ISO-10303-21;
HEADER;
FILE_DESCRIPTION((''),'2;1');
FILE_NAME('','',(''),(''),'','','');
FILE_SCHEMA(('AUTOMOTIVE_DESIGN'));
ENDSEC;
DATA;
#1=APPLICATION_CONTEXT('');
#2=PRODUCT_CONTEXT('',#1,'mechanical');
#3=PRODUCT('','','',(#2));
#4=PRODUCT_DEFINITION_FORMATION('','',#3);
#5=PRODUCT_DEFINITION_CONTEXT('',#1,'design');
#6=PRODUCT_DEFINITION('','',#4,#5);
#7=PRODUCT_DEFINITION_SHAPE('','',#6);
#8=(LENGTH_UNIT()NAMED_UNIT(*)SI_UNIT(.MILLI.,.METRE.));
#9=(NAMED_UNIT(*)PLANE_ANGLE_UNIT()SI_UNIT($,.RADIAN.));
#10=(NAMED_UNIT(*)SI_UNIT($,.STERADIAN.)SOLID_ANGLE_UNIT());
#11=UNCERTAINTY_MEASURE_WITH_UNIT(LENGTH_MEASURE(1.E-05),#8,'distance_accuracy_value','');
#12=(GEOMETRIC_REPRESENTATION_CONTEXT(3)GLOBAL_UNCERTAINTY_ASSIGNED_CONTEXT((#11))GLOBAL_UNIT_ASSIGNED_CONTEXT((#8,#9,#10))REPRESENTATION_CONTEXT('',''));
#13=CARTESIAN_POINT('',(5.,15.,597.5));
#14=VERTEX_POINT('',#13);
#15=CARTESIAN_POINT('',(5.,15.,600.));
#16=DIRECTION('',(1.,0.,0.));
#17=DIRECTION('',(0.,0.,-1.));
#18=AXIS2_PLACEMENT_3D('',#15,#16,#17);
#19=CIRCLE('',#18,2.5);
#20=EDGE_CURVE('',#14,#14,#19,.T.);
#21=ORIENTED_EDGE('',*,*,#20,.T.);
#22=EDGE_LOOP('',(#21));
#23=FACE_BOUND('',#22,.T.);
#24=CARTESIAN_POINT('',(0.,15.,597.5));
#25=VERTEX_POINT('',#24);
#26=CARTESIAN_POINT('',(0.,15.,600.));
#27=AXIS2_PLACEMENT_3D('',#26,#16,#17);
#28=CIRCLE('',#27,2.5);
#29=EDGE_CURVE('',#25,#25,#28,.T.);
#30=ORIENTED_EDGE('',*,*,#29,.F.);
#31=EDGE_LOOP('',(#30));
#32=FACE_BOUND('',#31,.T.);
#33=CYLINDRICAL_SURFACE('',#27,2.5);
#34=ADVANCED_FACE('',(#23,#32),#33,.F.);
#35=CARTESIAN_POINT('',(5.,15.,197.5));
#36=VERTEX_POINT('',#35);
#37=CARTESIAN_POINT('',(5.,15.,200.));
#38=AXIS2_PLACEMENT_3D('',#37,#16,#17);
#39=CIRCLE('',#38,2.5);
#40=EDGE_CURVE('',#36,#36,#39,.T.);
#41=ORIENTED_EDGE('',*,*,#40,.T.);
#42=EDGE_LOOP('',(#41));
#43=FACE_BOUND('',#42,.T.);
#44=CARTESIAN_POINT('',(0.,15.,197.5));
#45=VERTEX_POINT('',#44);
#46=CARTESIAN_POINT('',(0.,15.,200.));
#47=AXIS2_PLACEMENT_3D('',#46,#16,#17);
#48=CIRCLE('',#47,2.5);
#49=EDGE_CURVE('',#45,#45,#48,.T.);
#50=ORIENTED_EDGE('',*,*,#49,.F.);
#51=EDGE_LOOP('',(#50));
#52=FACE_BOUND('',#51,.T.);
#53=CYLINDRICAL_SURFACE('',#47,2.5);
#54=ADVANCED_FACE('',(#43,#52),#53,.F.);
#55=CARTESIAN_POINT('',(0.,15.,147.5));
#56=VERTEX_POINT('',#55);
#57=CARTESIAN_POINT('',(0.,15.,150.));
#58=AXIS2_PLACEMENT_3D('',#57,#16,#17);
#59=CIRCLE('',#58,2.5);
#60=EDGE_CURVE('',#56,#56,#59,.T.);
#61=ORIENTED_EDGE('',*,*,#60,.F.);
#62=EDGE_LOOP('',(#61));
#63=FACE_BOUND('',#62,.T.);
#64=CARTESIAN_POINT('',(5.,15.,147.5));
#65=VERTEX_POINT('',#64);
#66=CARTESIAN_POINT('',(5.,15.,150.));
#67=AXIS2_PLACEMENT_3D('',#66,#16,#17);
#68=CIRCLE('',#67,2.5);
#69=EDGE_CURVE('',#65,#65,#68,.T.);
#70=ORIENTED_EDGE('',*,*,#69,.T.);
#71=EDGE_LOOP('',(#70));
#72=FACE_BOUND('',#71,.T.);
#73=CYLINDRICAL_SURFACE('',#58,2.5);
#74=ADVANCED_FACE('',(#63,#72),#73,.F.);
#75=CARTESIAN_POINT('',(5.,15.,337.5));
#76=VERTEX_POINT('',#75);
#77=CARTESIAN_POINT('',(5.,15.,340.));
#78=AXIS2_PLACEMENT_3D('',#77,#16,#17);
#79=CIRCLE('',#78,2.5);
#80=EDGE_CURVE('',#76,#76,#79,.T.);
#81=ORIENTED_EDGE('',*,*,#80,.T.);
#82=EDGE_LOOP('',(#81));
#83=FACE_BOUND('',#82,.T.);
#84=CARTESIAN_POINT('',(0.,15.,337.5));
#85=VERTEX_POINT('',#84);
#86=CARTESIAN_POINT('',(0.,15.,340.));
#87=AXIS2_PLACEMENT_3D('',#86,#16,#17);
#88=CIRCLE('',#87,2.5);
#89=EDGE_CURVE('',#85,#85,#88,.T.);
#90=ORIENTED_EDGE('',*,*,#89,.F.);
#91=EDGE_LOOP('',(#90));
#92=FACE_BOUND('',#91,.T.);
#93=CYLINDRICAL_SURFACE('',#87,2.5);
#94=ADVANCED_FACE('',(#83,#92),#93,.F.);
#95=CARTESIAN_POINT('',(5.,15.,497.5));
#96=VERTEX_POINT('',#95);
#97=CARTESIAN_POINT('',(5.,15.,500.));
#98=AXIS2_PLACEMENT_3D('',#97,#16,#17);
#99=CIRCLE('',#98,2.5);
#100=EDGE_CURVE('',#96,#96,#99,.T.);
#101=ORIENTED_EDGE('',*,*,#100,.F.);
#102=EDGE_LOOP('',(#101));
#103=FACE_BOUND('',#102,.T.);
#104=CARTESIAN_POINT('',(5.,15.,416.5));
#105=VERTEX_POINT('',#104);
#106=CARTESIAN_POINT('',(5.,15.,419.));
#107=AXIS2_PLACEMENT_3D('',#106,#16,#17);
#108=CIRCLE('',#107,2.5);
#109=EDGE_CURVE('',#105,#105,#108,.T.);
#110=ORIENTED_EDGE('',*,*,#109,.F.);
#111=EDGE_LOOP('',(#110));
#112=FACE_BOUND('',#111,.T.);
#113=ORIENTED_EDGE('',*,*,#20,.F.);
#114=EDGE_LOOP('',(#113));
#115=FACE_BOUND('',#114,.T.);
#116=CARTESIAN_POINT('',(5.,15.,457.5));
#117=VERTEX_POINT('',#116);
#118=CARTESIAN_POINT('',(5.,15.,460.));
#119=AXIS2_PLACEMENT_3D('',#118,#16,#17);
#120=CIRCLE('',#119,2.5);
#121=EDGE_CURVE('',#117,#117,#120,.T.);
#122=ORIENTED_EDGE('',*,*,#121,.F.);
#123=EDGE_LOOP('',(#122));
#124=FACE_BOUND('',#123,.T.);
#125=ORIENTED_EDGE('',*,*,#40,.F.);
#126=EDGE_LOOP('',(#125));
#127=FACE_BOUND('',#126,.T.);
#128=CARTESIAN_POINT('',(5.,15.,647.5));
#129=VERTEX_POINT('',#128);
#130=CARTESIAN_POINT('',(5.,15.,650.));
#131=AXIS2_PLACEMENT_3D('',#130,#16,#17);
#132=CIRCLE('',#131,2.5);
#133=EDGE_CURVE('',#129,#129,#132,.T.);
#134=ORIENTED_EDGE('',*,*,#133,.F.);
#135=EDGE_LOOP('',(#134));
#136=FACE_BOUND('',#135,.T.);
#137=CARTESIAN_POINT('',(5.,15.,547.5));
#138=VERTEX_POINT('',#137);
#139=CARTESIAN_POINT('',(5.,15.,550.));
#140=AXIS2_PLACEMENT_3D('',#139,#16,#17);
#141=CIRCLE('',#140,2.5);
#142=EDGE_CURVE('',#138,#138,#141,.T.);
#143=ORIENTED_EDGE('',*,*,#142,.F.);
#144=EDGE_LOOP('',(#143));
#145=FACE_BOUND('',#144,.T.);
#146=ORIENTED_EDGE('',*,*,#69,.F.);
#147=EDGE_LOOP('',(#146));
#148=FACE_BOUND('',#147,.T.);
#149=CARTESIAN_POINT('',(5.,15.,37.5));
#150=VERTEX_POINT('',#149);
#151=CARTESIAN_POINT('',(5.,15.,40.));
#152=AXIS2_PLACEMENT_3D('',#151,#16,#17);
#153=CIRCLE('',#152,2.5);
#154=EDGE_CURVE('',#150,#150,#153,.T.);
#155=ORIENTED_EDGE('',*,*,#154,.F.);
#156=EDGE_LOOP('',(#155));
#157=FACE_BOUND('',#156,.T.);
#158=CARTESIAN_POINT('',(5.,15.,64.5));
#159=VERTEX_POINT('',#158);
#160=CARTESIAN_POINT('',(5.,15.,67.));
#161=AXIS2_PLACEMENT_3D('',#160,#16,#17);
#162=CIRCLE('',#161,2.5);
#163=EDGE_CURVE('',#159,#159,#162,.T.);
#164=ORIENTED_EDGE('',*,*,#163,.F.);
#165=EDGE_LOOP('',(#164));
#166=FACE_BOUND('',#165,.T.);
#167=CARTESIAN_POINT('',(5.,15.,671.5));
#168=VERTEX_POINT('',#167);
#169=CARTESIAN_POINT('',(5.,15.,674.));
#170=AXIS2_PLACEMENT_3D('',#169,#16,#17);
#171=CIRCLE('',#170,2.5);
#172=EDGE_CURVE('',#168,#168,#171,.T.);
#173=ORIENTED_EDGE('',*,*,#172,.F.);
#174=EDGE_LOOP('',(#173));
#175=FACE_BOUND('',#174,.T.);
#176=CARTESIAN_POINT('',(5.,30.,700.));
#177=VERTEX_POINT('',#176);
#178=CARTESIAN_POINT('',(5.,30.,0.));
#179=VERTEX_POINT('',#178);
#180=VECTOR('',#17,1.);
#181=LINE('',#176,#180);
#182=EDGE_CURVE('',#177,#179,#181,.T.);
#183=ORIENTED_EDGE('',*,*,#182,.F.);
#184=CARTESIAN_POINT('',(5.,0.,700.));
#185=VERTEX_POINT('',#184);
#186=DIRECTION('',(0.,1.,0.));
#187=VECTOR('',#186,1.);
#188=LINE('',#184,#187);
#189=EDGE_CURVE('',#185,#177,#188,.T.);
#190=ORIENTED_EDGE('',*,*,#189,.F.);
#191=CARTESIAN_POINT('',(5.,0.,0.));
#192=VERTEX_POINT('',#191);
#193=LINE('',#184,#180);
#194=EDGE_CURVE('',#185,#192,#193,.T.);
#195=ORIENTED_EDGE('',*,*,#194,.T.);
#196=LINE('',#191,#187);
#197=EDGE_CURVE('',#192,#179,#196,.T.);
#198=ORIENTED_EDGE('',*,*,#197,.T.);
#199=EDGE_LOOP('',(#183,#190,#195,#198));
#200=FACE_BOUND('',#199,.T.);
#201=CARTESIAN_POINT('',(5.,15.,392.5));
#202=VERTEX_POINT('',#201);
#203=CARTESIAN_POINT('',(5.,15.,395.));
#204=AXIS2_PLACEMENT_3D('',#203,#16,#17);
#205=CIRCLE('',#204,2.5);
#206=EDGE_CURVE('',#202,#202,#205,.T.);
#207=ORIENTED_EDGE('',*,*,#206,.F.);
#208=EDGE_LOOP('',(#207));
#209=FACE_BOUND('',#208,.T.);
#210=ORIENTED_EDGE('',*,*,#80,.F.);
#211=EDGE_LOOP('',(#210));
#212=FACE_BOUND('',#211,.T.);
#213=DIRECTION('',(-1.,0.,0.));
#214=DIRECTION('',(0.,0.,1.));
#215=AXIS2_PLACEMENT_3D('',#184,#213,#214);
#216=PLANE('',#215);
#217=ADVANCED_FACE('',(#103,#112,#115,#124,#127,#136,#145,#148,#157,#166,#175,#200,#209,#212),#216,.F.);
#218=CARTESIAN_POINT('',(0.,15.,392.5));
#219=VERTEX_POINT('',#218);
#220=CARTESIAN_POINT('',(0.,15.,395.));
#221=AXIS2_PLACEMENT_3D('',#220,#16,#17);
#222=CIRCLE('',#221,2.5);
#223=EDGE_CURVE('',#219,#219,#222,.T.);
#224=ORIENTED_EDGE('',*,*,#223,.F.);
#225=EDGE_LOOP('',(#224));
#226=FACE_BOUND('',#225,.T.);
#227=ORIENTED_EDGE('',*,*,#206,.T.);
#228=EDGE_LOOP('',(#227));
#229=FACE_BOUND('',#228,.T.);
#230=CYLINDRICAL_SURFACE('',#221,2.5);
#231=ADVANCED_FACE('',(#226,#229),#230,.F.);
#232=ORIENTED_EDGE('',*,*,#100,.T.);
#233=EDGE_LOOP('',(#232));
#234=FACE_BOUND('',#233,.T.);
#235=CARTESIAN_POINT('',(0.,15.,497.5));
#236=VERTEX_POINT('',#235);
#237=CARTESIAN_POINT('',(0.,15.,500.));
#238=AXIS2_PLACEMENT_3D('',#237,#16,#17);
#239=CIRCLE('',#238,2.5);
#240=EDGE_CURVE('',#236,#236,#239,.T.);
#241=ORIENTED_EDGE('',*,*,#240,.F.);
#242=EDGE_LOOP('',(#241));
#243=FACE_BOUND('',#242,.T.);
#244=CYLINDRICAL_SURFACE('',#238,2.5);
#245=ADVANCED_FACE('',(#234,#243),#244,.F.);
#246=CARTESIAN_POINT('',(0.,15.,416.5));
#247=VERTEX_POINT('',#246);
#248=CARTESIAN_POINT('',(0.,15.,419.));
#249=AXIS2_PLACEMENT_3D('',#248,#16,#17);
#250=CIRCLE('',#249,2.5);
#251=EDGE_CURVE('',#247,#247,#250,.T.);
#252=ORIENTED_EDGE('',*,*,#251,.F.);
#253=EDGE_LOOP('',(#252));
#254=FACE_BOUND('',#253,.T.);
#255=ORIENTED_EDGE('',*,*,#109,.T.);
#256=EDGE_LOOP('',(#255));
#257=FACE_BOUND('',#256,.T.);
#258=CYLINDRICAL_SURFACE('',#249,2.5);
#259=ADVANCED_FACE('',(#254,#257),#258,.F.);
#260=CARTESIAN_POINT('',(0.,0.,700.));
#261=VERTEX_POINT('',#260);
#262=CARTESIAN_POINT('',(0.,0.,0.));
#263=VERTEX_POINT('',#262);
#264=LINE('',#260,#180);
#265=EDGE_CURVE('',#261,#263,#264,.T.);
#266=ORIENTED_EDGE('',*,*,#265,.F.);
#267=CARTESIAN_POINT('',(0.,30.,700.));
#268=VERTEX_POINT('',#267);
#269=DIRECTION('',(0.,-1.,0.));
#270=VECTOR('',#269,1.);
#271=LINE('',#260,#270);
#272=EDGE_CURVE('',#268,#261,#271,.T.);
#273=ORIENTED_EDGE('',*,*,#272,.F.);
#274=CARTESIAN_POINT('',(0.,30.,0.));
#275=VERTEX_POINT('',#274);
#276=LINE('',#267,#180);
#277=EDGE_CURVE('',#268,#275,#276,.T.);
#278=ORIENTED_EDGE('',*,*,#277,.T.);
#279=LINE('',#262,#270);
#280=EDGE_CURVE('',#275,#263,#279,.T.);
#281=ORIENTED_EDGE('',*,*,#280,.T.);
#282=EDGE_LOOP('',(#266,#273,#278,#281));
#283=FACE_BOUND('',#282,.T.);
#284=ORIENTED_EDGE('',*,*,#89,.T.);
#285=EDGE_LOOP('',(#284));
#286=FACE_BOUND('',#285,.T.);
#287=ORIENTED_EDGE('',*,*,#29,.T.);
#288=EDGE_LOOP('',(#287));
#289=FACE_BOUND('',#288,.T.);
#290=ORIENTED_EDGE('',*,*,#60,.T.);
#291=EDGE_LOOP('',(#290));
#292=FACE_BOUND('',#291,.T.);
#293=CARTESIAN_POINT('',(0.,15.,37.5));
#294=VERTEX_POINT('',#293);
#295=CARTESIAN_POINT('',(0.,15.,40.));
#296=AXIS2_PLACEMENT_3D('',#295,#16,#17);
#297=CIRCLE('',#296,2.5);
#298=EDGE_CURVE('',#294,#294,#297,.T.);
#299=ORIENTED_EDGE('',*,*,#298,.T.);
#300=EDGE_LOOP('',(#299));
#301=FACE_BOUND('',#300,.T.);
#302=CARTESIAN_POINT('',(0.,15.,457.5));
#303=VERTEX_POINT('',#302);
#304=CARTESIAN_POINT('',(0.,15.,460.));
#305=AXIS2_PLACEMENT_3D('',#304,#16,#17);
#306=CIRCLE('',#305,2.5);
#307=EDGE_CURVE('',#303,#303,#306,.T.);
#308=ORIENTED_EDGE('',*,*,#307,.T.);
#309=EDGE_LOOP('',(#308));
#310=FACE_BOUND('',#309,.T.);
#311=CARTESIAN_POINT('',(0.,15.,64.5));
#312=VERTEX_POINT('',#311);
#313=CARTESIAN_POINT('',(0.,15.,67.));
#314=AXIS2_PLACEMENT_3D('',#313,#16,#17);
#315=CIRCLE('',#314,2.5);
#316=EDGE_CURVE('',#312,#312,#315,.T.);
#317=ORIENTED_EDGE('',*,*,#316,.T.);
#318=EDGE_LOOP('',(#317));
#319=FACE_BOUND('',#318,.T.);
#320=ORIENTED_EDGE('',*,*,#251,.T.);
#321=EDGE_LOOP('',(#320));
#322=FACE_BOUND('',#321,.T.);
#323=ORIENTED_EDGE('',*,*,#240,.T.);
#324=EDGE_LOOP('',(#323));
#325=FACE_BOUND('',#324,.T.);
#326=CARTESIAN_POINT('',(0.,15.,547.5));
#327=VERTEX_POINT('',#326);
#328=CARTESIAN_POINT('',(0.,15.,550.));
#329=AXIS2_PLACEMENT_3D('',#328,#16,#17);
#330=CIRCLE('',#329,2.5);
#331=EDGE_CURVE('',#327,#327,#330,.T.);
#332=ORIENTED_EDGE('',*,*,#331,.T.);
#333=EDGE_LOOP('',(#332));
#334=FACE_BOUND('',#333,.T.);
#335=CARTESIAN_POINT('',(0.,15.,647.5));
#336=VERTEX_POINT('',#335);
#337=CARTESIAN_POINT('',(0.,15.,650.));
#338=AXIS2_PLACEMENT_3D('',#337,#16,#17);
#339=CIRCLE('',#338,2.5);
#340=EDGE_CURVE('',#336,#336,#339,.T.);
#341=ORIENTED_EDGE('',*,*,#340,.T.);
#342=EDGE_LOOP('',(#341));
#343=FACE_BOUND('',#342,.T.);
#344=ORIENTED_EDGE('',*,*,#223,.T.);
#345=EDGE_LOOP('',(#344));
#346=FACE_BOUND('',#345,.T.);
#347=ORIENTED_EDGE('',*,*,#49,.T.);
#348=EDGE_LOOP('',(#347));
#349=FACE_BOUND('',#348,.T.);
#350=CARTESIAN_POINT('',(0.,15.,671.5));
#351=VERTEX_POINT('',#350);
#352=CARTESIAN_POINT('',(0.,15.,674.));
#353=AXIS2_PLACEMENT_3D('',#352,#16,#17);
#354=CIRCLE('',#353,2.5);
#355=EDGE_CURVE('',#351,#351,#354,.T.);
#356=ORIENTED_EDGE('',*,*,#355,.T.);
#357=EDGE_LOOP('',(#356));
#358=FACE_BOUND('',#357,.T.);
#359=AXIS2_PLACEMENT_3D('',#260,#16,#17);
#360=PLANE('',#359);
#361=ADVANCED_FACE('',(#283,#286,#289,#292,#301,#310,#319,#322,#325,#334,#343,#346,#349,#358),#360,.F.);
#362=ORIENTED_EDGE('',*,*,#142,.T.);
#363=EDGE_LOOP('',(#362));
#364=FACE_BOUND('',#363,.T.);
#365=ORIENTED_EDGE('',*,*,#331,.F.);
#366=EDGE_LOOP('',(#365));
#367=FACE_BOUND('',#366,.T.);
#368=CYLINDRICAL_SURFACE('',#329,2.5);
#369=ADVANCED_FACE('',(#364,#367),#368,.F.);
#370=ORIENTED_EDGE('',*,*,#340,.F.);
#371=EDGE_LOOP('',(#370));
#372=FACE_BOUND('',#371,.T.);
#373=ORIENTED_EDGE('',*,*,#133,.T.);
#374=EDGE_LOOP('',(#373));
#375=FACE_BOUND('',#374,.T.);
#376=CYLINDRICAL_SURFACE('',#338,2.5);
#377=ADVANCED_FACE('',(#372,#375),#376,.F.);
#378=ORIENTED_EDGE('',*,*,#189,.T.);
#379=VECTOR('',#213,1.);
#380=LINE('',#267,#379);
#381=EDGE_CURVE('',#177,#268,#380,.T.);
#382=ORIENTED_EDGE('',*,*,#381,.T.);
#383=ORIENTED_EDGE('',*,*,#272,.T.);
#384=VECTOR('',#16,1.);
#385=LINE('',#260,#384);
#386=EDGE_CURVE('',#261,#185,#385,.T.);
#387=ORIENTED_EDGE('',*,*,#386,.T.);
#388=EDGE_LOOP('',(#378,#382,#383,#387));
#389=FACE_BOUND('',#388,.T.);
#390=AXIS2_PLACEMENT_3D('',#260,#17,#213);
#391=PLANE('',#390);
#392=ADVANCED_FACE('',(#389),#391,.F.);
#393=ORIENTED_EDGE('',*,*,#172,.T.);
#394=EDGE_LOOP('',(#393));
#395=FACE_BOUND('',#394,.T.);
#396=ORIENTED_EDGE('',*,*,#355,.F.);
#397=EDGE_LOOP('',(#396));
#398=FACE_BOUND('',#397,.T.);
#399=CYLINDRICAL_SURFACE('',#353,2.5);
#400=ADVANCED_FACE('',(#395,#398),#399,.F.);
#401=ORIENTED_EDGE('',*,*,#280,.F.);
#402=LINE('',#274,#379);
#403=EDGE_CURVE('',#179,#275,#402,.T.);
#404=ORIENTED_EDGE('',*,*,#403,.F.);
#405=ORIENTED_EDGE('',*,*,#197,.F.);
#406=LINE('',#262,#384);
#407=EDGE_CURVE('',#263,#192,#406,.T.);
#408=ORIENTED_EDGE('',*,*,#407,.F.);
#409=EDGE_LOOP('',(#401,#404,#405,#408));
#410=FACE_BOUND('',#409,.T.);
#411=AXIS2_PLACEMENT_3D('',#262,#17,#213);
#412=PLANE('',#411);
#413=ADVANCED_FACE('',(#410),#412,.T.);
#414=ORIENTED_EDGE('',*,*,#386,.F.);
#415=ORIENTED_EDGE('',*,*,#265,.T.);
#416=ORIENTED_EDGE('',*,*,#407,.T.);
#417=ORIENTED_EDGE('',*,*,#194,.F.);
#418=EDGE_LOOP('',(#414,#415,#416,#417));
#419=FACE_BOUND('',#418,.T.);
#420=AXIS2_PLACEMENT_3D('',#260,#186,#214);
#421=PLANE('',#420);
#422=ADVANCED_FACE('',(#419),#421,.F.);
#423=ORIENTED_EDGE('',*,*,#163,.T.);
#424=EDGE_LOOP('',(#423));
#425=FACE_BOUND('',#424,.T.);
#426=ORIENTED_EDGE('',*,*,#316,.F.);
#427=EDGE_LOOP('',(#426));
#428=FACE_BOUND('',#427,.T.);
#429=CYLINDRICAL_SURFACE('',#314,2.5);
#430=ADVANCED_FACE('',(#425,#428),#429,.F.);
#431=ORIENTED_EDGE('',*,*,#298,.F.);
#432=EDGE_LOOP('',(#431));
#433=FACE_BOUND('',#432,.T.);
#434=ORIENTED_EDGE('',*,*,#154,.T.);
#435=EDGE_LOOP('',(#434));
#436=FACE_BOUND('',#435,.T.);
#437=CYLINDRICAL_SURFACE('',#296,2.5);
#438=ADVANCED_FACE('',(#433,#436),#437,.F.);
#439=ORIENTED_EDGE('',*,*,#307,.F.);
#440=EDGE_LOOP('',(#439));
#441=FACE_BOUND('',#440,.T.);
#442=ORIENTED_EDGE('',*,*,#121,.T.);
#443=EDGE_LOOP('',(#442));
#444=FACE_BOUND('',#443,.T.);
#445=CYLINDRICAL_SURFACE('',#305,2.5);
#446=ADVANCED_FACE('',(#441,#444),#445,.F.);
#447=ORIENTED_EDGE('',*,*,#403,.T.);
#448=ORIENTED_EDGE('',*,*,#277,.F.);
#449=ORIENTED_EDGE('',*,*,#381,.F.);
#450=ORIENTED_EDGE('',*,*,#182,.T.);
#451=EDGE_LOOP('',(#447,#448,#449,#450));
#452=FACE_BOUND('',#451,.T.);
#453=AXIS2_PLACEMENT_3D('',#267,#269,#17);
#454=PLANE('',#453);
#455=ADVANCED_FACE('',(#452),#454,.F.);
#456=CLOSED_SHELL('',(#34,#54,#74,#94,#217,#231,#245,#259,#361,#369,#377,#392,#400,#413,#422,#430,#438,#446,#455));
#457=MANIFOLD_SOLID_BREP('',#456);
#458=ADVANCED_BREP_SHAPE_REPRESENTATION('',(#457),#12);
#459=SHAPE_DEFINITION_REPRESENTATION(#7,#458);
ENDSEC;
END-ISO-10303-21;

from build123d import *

# Parameters (mm, degrees)
SKETCH1_W           = 5
SKETCH1_H           = 30
BOSS_EXTRUDE1_DEPTH = 700
SKETCH2_R           = 2.5
CUT_EXTRUDE1_DEPTH  = 701.660402763


with BuildPart() as part:
    # Sketch1 → Boss-Extrude1 (new body)
    with BuildSketch(Plane.XY):
        with Locations((2.5, 15)):
            Rectangle(SKETCH1_W, SKETCH1_H)
    extrude(amount=BOSS_EXTRUDE1_DEPTH)

    # Sketch2 → Cut-Extrude1 (cut, through all)
    with BuildSketch(Plane(origin=(5, 0, 0), x_dir=(0, 0, -1), z_dir=(1, 0, 0))):
        with Locations((-674, 15)):
            Circle(SKETCH2_R)
        with Locations((-600, 15)):
            Circle(SKETCH2_R)
        with Locations((-500, 15)):
            Circle(SKETCH2_R)
        with Locations((-550, 15)):
            Circle(SKETCH2_R)
        with Locations((-460, 15)):
            Circle(SKETCH2_R)
        with Locations((-419, 15)):
            Circle(SKETCH2_R)
        with Locations((-395, 15)):
            Circle(SKETCH2_R)
        with Locations((-340, 15)):
            Circle(SKETCH2_R)
        with Locations((-200, 15)):
            Circle(SKETCH2_R)
        with Locations((-650, 15)):
            Circle(SKETCH2_R)
        with Locations((-150, 15)):
            Circle(SKETCH2_R)
        with Locations((-67, 15)):
            Circle(SKETCH2_R)
        with Locations((-40, 15)):
            Circle(SKETCH2_R)
    extrude(amount=-CUT_EXTRUDE1_DEPTH, mode=Mode.SUBTRACT)


solid = part.part
